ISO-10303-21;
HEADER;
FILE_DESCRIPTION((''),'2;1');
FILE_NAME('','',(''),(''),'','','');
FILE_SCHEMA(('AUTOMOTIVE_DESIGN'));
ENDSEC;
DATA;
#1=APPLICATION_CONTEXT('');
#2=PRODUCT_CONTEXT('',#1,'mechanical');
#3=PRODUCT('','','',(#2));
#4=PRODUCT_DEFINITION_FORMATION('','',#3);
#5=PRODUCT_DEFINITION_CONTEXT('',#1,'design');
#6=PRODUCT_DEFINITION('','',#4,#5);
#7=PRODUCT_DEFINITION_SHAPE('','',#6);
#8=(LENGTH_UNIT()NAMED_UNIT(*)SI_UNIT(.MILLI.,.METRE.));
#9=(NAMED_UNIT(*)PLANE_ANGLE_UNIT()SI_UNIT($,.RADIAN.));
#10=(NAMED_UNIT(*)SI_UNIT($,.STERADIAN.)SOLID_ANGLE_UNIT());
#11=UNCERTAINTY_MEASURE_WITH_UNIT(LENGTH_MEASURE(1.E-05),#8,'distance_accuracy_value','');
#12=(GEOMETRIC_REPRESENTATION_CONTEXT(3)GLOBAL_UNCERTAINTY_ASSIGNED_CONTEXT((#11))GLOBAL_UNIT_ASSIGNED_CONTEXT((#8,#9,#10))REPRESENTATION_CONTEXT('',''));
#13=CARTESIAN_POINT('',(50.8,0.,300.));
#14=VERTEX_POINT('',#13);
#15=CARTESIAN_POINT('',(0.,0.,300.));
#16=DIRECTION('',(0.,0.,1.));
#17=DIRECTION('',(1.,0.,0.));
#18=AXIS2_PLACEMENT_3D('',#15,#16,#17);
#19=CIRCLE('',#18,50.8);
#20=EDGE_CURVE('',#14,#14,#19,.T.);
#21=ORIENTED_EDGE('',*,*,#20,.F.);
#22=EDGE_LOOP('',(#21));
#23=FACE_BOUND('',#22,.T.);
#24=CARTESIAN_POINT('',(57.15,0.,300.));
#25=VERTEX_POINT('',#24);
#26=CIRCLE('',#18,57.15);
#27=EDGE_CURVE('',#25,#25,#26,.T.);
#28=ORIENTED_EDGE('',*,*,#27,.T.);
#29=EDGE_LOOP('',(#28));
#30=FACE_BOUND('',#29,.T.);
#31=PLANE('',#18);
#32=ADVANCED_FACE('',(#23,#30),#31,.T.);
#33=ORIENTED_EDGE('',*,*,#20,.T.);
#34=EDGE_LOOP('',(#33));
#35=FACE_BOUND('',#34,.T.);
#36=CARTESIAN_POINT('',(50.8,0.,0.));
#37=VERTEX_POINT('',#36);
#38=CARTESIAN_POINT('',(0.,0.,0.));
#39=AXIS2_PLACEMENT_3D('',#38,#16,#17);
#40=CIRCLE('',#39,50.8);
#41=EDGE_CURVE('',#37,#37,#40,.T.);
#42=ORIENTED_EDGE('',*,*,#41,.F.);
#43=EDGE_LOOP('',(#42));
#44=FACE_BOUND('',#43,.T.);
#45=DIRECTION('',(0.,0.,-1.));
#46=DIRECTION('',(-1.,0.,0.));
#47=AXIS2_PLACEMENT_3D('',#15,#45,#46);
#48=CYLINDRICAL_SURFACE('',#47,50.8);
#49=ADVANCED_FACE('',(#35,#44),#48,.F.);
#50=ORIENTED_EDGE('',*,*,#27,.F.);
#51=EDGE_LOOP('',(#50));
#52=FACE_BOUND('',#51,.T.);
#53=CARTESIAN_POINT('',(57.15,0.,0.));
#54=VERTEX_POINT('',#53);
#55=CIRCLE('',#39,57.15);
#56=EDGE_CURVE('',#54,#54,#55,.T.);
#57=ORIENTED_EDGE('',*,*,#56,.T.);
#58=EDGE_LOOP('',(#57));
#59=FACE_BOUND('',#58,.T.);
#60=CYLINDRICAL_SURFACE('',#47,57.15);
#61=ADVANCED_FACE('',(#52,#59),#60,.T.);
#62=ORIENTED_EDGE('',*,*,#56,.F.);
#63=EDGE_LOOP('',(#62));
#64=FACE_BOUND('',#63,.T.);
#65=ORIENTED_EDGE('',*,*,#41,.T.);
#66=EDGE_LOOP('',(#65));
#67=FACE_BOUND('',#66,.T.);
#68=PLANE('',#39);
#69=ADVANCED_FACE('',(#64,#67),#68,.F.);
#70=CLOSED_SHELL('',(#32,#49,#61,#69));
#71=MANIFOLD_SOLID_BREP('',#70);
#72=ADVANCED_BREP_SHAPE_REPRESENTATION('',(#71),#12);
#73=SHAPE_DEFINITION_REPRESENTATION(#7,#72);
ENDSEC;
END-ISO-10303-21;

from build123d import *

# Parameters (mm, degrees)
SKETCH_1_R      = 57.15
SKETCH_1_R_2    = 50.8
EXTRUDE_1_DEPTH = 300


with BuildPart() as part:
    # ｽｹｯﾁ1 → ﾎﾞｽ - 押し出し1 (new body)
    with BuildSketch(Plane.XY):
        Circle(SKETCH_1_R)
        Circle(SKETCH_1_R_2, mode=Mode.SUBTRACT)
    extrude(amount=EXTRUDE_1_DEPTH)


solid = part.part
